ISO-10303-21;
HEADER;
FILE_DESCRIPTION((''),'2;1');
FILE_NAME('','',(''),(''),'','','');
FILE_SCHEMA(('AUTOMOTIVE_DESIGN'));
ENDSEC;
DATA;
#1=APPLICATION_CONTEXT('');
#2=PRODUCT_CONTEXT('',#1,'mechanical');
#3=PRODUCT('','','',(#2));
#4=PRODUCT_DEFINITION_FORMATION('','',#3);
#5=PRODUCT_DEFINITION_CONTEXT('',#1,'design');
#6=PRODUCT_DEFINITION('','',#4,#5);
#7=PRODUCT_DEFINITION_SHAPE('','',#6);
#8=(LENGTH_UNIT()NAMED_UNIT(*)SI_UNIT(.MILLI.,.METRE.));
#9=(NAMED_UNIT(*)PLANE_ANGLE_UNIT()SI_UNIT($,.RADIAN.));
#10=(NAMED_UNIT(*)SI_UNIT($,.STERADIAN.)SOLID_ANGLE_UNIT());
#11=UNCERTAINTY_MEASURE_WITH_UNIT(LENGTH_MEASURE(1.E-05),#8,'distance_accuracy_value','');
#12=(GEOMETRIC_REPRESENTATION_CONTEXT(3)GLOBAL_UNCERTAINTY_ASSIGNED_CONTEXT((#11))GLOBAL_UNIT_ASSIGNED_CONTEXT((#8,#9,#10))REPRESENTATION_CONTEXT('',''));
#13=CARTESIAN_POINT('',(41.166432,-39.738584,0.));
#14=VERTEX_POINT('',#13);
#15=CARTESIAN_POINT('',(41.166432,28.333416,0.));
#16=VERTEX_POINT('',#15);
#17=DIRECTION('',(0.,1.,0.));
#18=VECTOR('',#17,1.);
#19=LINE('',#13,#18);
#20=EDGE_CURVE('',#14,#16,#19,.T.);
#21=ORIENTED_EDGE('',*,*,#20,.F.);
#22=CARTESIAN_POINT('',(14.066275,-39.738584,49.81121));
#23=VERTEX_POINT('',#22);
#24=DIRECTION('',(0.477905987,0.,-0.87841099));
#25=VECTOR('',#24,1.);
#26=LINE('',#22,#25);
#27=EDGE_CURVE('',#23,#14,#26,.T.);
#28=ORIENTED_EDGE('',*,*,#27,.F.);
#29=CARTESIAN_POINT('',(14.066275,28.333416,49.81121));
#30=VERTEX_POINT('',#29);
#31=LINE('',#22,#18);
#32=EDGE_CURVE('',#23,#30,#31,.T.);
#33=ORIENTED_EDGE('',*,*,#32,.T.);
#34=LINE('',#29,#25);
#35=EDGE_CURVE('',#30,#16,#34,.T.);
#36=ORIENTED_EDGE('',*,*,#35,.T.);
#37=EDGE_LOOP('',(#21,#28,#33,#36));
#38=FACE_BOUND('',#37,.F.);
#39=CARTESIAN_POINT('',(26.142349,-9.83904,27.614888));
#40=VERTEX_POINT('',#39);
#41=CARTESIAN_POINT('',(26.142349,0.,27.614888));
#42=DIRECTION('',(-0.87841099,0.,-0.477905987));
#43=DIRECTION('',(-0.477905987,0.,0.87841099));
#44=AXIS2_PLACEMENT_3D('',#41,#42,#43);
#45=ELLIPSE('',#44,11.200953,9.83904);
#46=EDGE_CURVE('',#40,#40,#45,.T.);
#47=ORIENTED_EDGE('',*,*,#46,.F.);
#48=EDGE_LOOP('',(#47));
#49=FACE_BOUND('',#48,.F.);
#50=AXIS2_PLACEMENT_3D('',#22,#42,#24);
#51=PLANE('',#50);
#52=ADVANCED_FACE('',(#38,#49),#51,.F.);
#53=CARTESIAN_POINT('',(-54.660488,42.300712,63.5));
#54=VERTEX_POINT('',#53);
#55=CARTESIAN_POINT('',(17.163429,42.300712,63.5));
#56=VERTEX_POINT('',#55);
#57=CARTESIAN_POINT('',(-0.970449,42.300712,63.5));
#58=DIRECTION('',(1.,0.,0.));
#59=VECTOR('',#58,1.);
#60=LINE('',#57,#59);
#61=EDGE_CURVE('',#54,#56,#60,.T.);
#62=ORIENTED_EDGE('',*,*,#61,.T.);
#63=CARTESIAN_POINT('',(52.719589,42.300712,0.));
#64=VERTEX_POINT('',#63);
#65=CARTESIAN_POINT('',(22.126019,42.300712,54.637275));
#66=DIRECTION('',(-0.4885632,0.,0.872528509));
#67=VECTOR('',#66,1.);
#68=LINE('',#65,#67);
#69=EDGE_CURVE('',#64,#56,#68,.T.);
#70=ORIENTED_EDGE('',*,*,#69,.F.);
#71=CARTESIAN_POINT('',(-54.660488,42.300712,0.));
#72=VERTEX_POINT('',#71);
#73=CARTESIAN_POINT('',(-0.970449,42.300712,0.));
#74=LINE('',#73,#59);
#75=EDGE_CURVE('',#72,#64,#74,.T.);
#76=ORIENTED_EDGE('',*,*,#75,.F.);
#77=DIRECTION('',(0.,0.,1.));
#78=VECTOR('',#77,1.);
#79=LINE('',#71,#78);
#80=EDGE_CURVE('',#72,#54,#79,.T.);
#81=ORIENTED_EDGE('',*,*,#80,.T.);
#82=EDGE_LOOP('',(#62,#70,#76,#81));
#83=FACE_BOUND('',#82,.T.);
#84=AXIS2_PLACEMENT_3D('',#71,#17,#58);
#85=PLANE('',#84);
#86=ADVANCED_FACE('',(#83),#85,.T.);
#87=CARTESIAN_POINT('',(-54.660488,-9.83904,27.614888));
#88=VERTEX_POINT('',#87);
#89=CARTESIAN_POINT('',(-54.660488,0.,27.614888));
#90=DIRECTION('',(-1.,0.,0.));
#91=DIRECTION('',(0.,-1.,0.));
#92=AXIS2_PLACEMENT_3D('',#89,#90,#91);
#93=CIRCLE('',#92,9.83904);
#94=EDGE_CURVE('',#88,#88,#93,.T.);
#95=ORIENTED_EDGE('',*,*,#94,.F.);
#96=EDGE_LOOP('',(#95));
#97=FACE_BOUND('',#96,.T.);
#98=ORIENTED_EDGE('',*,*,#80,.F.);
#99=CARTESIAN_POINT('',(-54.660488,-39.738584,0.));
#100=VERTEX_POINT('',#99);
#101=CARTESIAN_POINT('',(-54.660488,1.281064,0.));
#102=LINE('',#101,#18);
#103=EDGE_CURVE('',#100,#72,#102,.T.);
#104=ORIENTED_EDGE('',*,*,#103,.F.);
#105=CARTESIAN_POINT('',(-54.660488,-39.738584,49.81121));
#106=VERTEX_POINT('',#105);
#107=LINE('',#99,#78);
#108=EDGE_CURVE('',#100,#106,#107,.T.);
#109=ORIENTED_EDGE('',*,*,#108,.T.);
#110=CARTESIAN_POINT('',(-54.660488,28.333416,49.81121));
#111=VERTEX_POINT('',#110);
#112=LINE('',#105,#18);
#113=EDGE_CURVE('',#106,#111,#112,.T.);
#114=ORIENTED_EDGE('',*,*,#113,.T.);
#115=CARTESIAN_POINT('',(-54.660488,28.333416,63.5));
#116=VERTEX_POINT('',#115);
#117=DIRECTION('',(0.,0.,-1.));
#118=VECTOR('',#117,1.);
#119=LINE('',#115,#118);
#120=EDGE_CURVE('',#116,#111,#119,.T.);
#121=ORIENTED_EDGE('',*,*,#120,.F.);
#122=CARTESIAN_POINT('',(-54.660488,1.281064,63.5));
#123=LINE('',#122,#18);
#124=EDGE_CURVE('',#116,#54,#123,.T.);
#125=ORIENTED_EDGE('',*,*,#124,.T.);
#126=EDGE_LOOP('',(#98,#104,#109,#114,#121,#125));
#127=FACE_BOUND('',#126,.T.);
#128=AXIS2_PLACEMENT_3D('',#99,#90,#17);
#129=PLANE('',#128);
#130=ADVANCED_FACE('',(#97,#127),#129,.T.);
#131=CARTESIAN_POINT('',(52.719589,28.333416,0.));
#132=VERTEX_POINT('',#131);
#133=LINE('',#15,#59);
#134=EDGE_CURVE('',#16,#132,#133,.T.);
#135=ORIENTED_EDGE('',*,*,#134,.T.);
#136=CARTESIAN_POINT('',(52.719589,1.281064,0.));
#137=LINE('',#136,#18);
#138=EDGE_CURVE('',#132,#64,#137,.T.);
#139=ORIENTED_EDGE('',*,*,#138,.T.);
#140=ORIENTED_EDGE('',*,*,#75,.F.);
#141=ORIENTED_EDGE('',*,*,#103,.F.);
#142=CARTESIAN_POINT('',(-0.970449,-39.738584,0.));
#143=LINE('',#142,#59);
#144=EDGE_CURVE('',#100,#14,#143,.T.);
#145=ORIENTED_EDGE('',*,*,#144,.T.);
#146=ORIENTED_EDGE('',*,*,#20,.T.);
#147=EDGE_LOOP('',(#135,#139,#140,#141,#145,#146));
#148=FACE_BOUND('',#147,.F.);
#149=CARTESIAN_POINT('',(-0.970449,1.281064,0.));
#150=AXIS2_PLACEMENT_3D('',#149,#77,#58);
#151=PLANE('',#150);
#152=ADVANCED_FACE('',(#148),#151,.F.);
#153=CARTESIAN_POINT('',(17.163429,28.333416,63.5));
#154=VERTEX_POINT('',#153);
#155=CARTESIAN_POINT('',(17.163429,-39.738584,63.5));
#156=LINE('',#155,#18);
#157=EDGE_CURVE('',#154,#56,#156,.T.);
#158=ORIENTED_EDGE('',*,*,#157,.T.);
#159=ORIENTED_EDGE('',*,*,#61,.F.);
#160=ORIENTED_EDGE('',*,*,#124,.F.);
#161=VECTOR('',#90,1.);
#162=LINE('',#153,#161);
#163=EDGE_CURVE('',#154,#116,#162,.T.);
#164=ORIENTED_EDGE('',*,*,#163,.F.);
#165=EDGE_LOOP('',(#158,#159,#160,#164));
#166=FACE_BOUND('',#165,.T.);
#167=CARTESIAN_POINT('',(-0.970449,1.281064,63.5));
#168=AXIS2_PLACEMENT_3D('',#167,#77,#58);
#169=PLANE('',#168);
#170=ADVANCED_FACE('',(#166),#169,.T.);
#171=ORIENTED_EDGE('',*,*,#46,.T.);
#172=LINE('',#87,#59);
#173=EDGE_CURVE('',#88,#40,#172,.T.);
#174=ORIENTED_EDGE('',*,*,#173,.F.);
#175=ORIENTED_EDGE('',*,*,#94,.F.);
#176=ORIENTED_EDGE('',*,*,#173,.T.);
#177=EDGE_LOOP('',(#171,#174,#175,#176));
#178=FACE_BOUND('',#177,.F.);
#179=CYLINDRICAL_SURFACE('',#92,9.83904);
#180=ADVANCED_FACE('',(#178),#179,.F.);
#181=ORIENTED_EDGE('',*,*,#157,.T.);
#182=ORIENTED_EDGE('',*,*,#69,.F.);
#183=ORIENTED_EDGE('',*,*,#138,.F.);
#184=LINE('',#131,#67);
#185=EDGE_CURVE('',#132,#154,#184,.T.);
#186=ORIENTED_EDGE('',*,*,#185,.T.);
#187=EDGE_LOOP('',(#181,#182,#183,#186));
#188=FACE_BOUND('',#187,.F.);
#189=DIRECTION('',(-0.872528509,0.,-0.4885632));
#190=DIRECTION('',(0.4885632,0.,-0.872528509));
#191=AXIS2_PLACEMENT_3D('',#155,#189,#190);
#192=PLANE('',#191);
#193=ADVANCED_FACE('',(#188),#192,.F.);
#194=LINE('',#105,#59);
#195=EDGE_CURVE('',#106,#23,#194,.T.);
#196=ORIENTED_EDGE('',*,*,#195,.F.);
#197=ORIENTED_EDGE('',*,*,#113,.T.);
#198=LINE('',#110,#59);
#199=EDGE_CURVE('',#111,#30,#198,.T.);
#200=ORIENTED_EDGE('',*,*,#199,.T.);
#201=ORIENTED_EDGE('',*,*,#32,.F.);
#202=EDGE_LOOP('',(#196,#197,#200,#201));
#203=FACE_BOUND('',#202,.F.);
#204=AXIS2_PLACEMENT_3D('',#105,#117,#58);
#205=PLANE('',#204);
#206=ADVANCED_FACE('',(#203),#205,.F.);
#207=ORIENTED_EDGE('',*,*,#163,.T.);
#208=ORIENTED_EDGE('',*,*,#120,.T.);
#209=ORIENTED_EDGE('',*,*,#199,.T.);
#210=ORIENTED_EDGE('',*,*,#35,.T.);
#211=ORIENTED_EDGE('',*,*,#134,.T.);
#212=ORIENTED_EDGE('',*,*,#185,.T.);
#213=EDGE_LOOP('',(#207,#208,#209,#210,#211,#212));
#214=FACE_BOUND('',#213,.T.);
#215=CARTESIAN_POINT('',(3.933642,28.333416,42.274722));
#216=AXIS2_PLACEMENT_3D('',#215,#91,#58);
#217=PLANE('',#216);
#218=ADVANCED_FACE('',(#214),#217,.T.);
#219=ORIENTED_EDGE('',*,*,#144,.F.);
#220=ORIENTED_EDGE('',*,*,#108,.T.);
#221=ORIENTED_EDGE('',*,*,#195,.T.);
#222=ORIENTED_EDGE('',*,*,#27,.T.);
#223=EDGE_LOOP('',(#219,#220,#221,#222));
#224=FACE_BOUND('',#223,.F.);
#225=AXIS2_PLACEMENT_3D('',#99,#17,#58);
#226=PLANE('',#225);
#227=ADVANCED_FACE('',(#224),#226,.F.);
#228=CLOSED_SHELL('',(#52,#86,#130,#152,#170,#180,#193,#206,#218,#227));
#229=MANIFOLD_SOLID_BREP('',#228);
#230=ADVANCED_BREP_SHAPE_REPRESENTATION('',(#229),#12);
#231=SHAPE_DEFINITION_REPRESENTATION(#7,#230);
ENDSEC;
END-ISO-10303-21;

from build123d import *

# Parameters (mm, degrees)
F0_W     = 107.3800772429
F0_H     = 82.039296627
F1_DEPTH = 63.5
F3_DEPTH = 82.040296627
F5_DEPTH = 68.072
F6_R     = 9.8390398468
F7_DEPTH = 107.3810772429


with BuildPart() as f1:
    # F0 (on Top) → F1 (new body)
    with BuildSketch(Plane.XY):
        with Locations((-0.9704492986, 1.2810640037)):
            Rectangle(F0_W, F0_H)
    extrude(amount=F1_DEPTH)

    # F2 (on face) → F3 (cut, through all)
    with BuildSketch(Plane.XZ.offset(39.7385843098)):
        Polygon((17.1634294093, 63.5), (52.7195893228, 0), (52.7195893228, 63.5), align=None)
    extrude(amount=-F3_DEPTH, mode=Mode.SUBTRACT)

    # F4 (on face) → F5 (cut)
    with BuildSketch(Plane.XZ.offset(39.7385843098)):
        Polygon((17.1634294093, 63.5), (-54.66048792, 63.5), (-54.66048792, 49.8112104833), (14.0662752092, 49.8112104833), (41.1664322019, 0), (52.7195893228, 0), align=None)
    extrude(amount=-F5_DEPTH, mode=Mode.SUBTRACT)

    # F6 (on face) → F7 (cut, through all)
    with BuildSketch(Plane(origin=(-54.66048792, 0, 0), x_dir=(0, -1, 0), z_dir=(-1, 0, 0))):
        with Locations((0, 27.6148878038)):
            Circle(F6_R)
    extrude(amount=-F7_DEPTH, mode=Mode.SUBTRACT)


solid = f1.part
